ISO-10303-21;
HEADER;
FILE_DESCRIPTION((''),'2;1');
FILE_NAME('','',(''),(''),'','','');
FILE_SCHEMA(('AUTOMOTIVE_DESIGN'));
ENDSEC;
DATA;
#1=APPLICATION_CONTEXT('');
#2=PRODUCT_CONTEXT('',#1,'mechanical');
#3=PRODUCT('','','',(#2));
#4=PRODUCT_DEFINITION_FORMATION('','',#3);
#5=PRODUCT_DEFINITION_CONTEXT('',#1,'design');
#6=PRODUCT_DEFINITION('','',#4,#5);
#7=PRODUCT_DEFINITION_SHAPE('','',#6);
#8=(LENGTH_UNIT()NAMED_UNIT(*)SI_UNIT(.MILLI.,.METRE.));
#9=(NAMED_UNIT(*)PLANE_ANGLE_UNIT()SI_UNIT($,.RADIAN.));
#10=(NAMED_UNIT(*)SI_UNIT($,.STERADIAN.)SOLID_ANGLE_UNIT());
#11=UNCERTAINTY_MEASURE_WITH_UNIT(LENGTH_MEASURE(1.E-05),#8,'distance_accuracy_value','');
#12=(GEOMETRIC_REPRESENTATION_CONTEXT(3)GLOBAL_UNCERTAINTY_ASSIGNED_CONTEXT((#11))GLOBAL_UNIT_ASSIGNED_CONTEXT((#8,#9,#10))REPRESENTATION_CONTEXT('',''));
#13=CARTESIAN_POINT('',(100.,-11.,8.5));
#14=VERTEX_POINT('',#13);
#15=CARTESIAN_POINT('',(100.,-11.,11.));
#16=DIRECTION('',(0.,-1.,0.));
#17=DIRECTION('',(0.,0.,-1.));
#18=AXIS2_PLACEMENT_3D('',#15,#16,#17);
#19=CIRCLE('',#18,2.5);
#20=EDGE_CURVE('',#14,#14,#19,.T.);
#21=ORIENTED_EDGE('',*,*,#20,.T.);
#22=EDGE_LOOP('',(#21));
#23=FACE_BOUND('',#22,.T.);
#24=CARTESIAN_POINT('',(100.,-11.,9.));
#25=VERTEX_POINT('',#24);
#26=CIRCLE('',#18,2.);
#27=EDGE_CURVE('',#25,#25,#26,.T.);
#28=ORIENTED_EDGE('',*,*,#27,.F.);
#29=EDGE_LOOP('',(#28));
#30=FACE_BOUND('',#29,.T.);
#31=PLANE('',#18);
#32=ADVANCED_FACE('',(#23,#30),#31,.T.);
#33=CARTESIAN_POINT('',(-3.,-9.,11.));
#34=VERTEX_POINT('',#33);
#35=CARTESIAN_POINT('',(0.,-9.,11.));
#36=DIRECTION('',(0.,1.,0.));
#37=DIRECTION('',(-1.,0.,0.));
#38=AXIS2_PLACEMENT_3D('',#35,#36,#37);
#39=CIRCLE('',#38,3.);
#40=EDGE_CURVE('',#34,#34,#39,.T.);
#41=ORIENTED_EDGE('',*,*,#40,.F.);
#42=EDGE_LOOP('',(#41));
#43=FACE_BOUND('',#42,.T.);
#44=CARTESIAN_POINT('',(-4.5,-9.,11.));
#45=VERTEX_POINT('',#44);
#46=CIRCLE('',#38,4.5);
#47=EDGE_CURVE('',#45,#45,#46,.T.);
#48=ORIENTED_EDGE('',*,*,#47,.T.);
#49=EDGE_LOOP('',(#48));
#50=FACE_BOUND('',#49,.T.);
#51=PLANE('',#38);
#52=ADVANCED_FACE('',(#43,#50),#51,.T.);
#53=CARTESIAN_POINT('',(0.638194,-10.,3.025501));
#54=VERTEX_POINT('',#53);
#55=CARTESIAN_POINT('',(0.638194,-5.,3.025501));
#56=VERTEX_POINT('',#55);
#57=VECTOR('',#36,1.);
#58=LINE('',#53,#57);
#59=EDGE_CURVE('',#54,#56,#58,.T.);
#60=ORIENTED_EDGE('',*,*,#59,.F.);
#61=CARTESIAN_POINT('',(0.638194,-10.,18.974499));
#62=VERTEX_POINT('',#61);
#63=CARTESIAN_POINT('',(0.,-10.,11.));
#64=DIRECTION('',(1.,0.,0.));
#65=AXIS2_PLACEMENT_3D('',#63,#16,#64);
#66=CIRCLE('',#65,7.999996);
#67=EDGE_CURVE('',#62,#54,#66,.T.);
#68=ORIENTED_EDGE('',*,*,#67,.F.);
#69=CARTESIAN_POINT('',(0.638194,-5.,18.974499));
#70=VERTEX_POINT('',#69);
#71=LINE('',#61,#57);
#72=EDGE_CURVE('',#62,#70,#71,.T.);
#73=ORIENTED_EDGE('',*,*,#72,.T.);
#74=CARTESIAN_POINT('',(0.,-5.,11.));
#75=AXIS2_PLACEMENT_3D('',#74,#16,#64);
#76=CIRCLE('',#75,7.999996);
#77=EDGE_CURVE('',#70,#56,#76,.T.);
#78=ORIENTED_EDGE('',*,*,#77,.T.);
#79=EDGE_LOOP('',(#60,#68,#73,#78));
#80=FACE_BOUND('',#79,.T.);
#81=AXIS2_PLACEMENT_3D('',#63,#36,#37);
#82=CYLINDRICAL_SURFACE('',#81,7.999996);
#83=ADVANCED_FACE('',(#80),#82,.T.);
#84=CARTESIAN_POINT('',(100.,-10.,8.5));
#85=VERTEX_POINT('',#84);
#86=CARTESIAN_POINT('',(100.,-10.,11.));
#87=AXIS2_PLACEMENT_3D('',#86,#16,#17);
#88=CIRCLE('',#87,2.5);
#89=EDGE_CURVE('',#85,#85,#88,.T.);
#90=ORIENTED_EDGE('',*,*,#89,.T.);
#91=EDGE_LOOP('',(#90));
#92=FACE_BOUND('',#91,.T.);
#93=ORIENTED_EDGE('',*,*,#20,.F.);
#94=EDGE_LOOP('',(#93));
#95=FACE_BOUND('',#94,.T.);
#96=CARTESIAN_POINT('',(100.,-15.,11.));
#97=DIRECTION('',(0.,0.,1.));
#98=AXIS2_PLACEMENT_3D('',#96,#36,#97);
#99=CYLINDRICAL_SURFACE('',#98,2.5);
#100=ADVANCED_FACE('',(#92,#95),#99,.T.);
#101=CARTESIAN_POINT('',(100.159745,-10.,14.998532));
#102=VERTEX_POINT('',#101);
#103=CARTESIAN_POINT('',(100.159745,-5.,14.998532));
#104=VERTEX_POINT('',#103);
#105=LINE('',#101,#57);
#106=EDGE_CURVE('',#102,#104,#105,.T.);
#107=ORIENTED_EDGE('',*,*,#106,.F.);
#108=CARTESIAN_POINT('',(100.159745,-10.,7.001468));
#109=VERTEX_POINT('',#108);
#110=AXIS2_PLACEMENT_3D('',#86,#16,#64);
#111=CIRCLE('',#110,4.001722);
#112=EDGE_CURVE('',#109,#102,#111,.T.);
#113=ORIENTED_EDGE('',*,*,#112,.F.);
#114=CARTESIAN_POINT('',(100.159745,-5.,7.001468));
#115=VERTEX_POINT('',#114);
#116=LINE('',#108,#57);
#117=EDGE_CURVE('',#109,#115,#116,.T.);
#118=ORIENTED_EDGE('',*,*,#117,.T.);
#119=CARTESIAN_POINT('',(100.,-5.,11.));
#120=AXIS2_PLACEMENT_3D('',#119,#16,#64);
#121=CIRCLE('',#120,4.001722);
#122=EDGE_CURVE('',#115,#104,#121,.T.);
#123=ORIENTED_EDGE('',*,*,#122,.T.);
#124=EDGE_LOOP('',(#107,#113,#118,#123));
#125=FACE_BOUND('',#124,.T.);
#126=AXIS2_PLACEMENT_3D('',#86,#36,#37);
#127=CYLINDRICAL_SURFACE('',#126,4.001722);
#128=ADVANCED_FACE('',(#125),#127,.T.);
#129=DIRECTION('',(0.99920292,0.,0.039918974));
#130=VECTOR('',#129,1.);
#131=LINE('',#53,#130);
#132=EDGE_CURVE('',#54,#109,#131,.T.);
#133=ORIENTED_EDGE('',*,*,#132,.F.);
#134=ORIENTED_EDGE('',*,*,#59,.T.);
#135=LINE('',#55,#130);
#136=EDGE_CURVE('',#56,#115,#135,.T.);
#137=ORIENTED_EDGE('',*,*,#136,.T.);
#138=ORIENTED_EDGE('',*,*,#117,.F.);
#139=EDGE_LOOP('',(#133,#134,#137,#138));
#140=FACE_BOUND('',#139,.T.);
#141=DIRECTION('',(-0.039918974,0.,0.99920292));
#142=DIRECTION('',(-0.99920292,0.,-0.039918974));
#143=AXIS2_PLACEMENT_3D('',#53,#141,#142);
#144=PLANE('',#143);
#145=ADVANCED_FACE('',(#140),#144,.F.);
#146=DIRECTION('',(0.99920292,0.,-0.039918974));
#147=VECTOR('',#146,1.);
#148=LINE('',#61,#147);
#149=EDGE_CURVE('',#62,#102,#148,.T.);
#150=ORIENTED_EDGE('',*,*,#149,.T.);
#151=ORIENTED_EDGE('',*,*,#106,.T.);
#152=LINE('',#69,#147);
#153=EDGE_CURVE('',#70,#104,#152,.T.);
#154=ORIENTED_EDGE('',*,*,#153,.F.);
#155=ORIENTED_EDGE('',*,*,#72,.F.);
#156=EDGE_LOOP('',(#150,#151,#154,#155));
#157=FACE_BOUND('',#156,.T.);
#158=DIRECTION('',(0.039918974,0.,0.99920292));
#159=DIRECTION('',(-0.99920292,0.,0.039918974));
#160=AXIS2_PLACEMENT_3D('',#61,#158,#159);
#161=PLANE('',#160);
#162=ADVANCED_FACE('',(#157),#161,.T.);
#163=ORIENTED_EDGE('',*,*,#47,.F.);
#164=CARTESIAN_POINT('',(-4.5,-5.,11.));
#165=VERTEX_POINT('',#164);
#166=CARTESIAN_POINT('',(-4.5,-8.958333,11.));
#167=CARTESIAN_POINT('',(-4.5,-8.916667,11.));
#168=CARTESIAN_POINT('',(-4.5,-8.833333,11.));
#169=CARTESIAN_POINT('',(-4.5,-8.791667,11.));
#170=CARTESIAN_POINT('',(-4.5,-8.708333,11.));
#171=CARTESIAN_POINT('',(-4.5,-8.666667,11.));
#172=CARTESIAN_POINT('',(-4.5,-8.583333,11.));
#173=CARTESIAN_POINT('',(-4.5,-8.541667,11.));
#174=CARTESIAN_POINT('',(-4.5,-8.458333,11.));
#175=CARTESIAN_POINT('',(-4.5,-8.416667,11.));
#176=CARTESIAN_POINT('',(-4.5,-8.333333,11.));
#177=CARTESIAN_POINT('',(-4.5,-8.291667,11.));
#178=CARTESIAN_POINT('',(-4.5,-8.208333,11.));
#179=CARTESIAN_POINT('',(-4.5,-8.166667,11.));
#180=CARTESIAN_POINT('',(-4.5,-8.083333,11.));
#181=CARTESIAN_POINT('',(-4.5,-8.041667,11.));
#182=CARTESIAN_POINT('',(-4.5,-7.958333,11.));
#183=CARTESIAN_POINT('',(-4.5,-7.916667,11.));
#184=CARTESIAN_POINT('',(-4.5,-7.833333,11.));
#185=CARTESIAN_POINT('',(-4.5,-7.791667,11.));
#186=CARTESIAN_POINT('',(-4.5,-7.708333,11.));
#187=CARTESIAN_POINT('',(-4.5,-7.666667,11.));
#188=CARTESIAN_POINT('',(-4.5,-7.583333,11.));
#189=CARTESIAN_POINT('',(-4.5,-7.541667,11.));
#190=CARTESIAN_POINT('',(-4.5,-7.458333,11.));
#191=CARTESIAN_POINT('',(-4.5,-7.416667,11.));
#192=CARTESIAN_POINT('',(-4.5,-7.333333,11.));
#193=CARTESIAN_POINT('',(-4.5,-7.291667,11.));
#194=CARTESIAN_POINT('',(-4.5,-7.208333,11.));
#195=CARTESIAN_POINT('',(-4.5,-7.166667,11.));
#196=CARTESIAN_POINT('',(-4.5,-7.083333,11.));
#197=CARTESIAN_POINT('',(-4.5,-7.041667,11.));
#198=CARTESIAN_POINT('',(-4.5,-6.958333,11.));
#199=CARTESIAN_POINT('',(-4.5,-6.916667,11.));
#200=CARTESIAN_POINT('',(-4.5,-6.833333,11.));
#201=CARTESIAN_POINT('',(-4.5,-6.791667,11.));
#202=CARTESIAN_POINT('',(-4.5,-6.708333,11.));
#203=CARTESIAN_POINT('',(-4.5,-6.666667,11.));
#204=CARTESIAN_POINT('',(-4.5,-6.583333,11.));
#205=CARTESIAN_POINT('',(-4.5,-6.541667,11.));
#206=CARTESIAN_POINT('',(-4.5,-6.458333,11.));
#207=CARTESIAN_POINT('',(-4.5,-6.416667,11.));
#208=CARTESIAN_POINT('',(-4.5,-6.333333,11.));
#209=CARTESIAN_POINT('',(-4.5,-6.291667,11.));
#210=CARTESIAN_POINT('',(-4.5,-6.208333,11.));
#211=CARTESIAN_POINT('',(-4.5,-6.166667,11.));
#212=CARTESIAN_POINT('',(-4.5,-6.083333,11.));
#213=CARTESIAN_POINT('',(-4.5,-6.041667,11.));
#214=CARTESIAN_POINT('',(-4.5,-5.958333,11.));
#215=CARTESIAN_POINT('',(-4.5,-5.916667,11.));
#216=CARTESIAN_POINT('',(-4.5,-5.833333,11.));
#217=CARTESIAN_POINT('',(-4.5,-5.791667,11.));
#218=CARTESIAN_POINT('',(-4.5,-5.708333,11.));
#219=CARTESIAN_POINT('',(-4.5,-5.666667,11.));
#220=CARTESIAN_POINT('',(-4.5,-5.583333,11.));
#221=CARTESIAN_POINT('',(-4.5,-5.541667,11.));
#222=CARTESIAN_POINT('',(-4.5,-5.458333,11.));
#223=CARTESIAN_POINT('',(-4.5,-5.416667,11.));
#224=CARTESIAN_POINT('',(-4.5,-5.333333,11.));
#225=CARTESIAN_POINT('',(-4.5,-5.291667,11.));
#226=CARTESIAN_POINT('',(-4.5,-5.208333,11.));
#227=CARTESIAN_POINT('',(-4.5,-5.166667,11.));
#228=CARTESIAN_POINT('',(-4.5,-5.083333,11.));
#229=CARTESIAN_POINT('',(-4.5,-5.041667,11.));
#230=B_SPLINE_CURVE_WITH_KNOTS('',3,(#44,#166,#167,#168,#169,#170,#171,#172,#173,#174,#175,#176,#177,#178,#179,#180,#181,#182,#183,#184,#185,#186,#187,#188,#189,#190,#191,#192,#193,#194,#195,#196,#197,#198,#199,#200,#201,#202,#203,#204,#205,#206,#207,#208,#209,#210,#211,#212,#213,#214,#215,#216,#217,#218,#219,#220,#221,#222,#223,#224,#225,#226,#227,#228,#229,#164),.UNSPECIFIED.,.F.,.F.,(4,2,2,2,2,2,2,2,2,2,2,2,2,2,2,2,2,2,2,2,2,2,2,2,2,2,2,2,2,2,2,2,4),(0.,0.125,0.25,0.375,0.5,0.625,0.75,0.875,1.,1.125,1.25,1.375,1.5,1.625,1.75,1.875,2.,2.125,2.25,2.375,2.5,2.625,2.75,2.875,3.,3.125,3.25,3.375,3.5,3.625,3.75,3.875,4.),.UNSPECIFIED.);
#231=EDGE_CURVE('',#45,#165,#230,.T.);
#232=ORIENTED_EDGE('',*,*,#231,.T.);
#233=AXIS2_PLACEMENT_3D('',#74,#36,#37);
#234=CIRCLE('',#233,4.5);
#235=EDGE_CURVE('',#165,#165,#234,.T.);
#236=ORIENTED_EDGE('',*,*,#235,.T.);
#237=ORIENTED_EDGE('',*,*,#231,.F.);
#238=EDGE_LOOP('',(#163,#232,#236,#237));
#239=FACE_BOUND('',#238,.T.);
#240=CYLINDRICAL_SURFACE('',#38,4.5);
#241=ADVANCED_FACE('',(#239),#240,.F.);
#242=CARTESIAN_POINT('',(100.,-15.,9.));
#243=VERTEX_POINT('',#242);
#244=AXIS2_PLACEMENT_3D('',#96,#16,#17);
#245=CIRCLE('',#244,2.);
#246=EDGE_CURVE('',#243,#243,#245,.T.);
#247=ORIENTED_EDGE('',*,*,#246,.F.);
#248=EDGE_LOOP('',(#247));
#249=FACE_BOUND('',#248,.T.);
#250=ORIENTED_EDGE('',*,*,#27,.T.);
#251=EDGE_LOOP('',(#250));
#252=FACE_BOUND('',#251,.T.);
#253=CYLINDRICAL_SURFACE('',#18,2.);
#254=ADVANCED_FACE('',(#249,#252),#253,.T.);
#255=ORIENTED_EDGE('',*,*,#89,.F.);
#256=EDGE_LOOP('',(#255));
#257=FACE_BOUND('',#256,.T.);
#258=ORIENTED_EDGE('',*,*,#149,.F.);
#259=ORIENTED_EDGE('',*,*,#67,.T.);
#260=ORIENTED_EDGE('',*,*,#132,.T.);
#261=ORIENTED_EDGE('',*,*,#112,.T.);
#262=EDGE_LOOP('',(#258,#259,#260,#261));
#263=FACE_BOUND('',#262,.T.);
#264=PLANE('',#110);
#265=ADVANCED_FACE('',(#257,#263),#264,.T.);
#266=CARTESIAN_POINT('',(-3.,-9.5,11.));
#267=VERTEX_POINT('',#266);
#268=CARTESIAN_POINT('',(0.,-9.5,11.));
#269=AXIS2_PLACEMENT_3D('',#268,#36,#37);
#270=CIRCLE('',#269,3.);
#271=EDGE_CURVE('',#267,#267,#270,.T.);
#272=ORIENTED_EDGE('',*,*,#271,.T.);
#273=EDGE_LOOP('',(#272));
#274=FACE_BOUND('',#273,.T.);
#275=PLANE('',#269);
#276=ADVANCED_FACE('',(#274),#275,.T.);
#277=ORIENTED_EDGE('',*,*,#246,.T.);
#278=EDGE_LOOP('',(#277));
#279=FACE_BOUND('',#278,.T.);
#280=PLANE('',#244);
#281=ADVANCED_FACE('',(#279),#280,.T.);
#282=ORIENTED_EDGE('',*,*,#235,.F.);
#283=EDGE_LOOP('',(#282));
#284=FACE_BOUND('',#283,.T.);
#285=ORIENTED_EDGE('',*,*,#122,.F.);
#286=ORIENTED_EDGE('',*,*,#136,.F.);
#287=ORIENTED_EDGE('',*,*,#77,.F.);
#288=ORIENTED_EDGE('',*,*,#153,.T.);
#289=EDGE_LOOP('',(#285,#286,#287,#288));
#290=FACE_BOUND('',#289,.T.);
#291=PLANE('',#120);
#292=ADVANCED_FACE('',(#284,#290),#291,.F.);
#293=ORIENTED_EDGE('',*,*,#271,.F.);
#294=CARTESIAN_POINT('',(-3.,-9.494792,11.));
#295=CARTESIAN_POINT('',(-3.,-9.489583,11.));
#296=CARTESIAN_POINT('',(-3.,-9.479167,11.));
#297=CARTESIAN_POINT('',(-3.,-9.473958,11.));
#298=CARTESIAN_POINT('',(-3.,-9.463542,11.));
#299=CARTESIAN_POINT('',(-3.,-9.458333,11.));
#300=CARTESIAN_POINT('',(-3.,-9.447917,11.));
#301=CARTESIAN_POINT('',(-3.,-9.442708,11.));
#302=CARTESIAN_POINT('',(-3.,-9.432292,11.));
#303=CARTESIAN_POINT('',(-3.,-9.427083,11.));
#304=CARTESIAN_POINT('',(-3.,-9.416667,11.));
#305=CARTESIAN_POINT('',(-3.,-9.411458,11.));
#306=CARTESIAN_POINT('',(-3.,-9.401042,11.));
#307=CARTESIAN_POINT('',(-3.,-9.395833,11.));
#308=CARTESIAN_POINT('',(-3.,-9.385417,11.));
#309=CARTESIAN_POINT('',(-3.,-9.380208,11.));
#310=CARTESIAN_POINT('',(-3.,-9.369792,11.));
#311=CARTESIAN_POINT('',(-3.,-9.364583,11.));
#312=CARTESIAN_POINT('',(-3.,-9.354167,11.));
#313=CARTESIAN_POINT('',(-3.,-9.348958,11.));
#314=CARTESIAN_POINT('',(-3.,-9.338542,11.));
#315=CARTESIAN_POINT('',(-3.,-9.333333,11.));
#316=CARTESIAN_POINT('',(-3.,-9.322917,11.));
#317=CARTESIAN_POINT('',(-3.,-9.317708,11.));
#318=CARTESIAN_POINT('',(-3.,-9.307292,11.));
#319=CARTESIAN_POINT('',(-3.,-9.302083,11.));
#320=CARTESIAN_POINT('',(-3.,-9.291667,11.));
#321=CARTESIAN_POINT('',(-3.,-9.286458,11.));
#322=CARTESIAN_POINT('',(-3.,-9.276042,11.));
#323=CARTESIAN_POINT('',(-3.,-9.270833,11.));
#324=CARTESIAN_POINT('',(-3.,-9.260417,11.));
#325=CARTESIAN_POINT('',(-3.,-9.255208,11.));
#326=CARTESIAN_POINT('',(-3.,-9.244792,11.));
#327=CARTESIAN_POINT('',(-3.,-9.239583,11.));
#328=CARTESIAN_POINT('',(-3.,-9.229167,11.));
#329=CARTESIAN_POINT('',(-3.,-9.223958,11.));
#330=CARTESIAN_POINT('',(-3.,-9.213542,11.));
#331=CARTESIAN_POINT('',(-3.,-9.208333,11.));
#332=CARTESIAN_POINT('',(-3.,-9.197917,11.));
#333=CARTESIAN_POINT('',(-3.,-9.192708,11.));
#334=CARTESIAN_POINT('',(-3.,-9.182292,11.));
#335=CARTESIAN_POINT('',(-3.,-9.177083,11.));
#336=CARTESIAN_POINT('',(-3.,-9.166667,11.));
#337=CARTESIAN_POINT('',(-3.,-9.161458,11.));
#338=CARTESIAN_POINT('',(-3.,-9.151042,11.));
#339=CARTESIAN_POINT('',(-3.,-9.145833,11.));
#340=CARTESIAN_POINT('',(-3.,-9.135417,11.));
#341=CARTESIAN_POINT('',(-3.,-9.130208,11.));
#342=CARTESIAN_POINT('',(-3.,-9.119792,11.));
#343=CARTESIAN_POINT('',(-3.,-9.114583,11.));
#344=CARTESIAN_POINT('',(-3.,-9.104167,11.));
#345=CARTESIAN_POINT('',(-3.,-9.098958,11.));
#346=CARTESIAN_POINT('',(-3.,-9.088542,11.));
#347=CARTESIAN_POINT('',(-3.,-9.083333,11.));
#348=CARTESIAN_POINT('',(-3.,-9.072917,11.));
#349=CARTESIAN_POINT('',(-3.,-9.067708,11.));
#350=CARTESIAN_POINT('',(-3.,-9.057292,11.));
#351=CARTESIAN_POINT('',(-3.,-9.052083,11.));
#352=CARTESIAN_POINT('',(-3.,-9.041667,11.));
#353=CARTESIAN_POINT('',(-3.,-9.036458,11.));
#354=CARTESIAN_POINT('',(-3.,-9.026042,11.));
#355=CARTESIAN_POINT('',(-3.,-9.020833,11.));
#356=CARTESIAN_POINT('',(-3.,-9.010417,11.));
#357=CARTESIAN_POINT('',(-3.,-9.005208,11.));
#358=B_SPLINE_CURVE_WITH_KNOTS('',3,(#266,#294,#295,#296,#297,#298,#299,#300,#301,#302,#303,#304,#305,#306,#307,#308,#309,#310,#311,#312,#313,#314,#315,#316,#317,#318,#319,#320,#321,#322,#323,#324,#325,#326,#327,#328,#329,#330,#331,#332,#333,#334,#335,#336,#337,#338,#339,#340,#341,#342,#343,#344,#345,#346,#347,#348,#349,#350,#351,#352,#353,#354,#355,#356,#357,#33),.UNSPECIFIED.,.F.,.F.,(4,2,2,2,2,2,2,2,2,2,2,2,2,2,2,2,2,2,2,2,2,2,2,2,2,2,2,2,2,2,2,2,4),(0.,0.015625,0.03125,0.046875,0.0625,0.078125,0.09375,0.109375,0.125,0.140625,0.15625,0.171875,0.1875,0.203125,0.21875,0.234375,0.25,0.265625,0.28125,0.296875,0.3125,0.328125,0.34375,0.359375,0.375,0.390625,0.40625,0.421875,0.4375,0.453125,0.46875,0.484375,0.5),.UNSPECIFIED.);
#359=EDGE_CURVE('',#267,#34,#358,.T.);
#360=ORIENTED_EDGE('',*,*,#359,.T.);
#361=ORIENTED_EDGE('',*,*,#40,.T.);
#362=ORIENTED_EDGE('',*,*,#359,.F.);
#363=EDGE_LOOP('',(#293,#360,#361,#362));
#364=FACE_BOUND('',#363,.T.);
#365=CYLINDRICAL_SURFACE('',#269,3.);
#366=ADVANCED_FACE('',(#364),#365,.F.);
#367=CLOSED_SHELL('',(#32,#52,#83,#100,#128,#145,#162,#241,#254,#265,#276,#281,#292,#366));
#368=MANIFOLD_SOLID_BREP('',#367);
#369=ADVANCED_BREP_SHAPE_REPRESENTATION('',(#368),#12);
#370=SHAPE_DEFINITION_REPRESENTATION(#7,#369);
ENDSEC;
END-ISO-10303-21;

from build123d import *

# Parameters (mm, degrees)
BOSS_EXTRUDE1_DEPTH   = 5
SKETCH2_R             = 4.5
CUT_EXTRUDE1_DEPTH    = 4
SKETCH7_R             = 3
CUT_EXTRUDE3_DEPTH    = 0.5
BODY_MOVE_COPY1_ANGLE = 90
BODY_MOVE_COPY2_ANGLE = 180
SKETCH8_R             = 2.5
BOSS_EXTRUDE2_DEPTH   = 5
CUT_EXTRUDE4_START    = -4
SKETCH9_R             = 2.5
SKETCH9_R_2           = 2
CUT_EXTRUDE4_DEPTH    = 4


with BuildPart() as part:
    # Sketch1 → Boss-Extrude1 (new body)
    with BuildSketch(Plane.XY):
        with BuildLine():
            Line((100.159744623, 3.998531964), (0.638194143, 7.974499314))
            ThreePointArc((0.638194143, 7.974499314), (-7.999995692, 0), (0.638194143, -7.974499314))
            Line((0.638194143, -7.974499314), (100.159744623, -3.998531964))
            ThreePointArc((100.159744623, -3.998531964), (104.001721656, 0), (100.159744623, 3.998531964))
        make_face()
    extrude(amount=BOSS_EXTRUDE1_DEPTH)

    # Sketch2 → Cut-Extrude1 (cut)
    with BuildSketch(Plane(origin=(0, 0, 0), x_dir=(-1, 0, 0), z_dir=(0, 0, -1))):
        Circle(SKETCH2_R)
    extrude(amount=-CUT_EXTRUDE1_DEPTH, mode=Mode.SUBTRACT)

    # Sketch7 → Cut-Extrude3 (cut)
    with BuildSketch(Plane(origin=(0, 0, 4), x_dir=(-1, 0, 0), z_dir=(0, 0, -1))):
        Circle(SKETCH7_R)
    extrude(amount=-CUT_EXTRUDE3_DEPTH, mode=Mode.SUBTRACT)


with BuildPart() as part_1:
    # Body-Move/Copy1: moved
    add(part.part.rotate(Axis((0, 0, 11), (-1, 0, 0)), BODY_MOVE_COPY1_ANGLE))


with BuildPart() as part_2:
    # Body-Move/Copy2: moved
    add(part_1.part.rotate(Axis((0, -8, 11), (1, 0, 0)), BODY_MOVE_COPY2_ANGLE))

    # Sketch8 → Boss-Extrude2 (add)
    with BuildSketch(Plane.XZ.offset(10)):
        with Locations((100, 11)):
            Circle(SKETCH8_R)
    extrude(amount=BOSS_EXTRUDE2_DEPTH)

    # Sketch9 → Cut-Extrude4 (cut)
    with BuildSketch(Plane.XZ.offset(15).offset(CUT_EXTRUDE4_START)):
        with Locations((100, 11)):
            Circle(SKETCH9_R)
        with Locations((100, 11)):
            Circle(SKETCH9_R_2, mode=Mode.SUBTRACT)
    extrude(amount=CUT_EXTRUDE4_DEPTH, mode=Mode.SUBTRACT)


solid = part_2.part
